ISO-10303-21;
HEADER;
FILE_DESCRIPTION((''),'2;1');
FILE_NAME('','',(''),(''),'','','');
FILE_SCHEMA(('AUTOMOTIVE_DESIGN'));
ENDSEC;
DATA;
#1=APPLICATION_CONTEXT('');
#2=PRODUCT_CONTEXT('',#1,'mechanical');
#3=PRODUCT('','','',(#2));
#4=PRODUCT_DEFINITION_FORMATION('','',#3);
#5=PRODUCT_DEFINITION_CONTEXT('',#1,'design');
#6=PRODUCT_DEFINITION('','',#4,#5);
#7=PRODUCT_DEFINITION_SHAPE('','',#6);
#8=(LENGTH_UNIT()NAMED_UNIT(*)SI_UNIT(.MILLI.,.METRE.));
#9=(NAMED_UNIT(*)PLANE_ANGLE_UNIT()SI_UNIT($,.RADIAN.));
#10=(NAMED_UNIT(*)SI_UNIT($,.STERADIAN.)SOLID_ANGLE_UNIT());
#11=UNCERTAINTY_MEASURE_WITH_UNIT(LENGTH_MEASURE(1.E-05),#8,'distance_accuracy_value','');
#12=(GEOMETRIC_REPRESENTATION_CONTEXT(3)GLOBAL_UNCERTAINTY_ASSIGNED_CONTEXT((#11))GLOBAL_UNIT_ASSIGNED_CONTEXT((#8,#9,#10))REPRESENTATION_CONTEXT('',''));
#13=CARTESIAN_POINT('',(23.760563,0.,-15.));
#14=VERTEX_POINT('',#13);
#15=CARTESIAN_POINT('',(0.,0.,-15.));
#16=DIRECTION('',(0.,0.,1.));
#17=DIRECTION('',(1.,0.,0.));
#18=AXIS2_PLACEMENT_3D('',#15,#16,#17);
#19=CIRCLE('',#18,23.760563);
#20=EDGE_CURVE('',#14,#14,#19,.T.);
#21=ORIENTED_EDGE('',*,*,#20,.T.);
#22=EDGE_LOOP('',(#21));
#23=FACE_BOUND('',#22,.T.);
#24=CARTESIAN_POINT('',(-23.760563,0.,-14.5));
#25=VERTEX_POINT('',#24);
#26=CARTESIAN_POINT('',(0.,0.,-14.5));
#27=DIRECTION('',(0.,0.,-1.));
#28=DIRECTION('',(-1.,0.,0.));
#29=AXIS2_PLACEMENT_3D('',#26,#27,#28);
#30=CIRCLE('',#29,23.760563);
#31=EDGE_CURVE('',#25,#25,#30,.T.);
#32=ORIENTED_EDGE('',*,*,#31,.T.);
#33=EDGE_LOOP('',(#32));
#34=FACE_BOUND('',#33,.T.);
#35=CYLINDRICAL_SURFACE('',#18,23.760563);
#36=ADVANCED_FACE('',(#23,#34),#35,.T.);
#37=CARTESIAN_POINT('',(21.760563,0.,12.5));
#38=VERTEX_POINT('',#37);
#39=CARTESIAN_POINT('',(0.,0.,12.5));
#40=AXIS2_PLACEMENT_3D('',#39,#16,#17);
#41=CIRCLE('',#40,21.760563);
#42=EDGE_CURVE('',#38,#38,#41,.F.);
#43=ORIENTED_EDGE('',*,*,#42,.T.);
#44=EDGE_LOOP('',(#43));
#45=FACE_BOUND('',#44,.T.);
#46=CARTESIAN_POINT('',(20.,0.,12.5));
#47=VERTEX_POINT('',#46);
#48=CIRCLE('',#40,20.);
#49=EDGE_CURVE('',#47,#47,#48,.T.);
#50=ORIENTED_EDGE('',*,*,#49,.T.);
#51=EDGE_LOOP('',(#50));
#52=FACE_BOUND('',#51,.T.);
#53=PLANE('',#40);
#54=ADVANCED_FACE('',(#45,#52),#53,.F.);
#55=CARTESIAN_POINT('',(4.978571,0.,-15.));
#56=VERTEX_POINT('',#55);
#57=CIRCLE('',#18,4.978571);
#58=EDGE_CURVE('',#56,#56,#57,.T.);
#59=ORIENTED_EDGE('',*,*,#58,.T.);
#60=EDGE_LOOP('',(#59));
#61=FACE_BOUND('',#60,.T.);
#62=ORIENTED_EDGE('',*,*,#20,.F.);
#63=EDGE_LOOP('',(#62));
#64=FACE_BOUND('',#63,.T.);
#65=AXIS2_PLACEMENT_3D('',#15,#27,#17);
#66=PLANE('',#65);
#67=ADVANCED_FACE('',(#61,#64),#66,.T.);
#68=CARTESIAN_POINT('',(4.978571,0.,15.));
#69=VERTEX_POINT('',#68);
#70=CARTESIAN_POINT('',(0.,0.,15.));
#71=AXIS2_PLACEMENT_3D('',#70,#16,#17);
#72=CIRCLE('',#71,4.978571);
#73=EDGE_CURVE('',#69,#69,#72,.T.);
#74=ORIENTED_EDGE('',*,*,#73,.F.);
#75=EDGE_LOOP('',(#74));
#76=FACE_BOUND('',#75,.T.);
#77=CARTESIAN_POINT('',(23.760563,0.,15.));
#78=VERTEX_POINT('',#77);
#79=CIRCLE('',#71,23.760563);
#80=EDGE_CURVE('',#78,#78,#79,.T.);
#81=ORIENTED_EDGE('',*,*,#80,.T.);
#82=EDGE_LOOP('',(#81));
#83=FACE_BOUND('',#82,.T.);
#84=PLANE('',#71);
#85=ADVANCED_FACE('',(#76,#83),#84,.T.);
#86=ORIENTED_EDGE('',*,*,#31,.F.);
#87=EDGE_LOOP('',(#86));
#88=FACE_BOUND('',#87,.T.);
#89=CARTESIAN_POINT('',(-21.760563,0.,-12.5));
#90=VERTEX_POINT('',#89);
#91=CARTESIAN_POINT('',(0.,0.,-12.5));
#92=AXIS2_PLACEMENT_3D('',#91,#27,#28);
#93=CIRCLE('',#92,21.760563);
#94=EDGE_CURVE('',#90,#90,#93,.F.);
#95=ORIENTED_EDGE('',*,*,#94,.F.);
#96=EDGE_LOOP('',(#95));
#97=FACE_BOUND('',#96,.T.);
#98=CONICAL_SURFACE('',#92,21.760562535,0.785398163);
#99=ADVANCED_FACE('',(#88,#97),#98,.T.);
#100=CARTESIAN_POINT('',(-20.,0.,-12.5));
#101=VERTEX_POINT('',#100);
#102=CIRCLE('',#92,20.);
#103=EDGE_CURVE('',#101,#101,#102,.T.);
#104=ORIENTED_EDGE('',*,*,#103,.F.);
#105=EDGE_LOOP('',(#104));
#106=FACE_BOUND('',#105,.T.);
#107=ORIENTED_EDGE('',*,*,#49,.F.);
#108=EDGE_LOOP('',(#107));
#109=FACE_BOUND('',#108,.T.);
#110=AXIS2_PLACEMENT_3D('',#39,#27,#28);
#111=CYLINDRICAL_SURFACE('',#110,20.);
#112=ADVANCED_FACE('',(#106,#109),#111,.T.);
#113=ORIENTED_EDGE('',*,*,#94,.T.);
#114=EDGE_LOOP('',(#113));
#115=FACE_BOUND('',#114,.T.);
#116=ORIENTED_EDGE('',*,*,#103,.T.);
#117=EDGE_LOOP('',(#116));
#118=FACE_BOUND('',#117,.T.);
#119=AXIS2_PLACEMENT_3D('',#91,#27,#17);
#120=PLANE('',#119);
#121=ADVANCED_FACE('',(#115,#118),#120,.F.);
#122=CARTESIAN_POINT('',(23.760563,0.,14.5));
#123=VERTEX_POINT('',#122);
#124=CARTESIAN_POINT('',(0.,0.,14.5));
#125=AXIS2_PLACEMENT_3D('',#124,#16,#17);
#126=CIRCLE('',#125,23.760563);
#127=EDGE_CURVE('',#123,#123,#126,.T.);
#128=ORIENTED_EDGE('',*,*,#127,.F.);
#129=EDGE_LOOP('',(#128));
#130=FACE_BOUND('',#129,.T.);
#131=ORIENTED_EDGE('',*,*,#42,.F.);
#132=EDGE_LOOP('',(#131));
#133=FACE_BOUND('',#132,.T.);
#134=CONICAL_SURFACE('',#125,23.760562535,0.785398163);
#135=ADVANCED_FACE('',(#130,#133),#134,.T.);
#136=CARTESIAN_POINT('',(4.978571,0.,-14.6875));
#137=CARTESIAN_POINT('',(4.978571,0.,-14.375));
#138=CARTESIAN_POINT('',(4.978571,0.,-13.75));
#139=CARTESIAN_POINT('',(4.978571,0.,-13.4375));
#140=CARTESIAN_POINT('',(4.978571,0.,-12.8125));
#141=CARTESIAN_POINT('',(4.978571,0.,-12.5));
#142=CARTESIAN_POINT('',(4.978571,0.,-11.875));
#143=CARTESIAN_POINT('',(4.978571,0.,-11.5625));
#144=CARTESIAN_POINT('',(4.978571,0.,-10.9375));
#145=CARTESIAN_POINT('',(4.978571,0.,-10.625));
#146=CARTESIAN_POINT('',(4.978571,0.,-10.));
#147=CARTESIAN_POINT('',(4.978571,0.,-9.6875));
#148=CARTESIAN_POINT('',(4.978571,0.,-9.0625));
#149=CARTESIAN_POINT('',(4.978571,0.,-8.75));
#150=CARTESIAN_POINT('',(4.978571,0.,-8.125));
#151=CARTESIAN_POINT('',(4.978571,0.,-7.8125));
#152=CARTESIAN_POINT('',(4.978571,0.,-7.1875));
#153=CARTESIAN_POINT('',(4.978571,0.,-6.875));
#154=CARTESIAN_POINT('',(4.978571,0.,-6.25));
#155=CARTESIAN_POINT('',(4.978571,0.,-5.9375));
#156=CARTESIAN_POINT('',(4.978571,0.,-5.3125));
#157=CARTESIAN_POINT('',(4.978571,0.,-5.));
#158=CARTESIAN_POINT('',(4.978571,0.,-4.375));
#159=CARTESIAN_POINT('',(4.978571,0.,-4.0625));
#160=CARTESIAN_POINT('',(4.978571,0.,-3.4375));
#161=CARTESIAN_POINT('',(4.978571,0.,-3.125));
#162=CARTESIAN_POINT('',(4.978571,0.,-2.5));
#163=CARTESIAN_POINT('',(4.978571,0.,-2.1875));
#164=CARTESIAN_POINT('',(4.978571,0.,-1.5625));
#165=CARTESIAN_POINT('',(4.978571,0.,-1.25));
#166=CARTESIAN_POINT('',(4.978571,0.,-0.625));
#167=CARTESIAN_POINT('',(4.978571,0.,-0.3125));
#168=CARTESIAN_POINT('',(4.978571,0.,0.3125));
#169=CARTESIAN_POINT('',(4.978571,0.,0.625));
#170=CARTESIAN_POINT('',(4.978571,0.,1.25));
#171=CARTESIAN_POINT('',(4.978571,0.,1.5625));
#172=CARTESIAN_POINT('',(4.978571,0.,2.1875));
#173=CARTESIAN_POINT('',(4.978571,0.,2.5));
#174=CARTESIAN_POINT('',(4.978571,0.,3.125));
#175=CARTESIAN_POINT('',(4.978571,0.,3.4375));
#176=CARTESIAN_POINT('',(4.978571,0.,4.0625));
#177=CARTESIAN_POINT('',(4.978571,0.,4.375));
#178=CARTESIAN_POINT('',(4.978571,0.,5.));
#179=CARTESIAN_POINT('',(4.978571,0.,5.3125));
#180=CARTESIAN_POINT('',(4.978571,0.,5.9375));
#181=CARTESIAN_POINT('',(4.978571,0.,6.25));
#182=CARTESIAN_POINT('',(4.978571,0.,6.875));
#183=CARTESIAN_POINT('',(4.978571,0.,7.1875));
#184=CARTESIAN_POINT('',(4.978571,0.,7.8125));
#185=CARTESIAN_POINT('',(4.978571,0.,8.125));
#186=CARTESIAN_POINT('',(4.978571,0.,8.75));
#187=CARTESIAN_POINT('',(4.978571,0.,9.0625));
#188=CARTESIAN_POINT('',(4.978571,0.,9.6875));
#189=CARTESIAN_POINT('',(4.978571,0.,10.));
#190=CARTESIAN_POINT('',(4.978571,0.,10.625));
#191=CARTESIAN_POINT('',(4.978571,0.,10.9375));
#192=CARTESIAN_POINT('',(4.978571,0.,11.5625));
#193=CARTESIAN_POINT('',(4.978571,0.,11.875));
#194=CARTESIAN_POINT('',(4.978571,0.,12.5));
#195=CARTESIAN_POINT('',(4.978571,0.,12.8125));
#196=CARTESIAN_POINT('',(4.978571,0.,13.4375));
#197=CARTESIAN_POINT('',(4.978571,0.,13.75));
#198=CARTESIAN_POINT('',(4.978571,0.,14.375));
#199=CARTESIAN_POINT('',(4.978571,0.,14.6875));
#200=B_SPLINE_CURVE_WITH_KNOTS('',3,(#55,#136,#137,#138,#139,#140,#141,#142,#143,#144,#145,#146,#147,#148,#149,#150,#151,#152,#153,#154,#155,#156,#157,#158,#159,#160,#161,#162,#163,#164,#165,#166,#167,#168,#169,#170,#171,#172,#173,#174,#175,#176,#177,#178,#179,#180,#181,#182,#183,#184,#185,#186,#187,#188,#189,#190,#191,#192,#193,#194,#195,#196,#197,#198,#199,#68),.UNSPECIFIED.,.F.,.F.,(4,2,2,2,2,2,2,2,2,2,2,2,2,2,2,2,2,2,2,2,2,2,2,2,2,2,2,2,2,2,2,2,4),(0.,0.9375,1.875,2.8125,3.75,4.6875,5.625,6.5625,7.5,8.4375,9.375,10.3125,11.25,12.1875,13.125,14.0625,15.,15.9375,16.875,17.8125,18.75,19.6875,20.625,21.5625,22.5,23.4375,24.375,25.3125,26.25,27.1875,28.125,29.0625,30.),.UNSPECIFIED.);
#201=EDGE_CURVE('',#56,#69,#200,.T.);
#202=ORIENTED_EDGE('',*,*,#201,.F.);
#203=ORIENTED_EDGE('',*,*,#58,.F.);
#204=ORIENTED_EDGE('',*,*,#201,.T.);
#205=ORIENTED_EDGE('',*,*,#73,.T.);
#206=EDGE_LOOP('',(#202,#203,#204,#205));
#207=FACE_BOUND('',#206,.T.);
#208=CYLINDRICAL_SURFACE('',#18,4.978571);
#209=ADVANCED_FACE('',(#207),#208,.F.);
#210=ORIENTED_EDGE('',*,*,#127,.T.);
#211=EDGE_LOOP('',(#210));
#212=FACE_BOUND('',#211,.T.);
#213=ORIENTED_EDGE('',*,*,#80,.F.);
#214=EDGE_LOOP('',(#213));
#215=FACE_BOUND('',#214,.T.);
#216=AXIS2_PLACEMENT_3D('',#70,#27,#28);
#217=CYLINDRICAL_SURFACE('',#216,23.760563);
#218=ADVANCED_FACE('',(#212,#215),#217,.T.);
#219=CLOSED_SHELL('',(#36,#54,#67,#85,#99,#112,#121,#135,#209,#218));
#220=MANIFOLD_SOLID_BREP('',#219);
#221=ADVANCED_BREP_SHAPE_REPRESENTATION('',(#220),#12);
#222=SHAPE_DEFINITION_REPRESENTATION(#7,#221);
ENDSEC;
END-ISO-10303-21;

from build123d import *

# Parameters (mm, degrees)
CROQUIS1_R                 = 20
SALIENTE_EXTRUIR1_DEPTH    = 12.5
CROQUIS2_R                 = 23.760562535
SALIENTE_EXTRUIR2_DEPTH    = 2.5
CHAFL_N1_SIZE              = 2
CHAFL_N1_OF_SIMETR_A1_SIZE = 2
CROQUIS3_R                 = 4.978571234
CORTAR_EXTRUIR1_DEPTH      = 46.045850685


with BuildPart() as part:
    # Croquis1 → Saliente-Extruir1 (new, symmetric)
    with BuildSketch(Plane.XY):
        Circle(CROQUIS1_R)
    extrude(amount=SALIENTE_EXTRUIR1_DEPTH, both=True)

    # Croquis2 → Saliente-Extruir2 (add)
    with BuildSketch(Plane.XY.offset(12.5)):
        Circle(CROQUIS2_R)
    saliente_extruir2 = extrude(amount=SALIENTE_EXTRUIR2_DEPTH)

    # Chaflán1
    chafl_n1_edges = [part.edges().sort_by_distance(p)[0] for p in [
        (-23.760562535, 0, 12.5),
    ]]
    chamfer(chafl_n1_edges, length=CHAFL_N1_SIZE)

    # Simetría1: Saliente-Extruir2 across plane
    add(saliente_extruir2.mirror(Plane.XY))

    # Chaflán1 of Simetría1
    chafl_n1_of_simetr_a1_edges = [part.edges().sort_by_distance(p)[0] for p in [
        (-23.760562535, 0, -12.5),
    ]]
    chamfer(chafl_n1_of_simetr_a1_edges, length=CHAFL_N1_OF_SIMETR_A1_SIZE)

    # Croquis3 → Cortar-Extruir1 (cut, through all)
    with BuildSketch(Plane.XY.offset(15)):
        Circle(CROQUIS3_R)
    extrude(amount=-CORTAR_EXTRUIR1_DEPTH, mode=Mode.SUBTRACT)


solid = part.part
